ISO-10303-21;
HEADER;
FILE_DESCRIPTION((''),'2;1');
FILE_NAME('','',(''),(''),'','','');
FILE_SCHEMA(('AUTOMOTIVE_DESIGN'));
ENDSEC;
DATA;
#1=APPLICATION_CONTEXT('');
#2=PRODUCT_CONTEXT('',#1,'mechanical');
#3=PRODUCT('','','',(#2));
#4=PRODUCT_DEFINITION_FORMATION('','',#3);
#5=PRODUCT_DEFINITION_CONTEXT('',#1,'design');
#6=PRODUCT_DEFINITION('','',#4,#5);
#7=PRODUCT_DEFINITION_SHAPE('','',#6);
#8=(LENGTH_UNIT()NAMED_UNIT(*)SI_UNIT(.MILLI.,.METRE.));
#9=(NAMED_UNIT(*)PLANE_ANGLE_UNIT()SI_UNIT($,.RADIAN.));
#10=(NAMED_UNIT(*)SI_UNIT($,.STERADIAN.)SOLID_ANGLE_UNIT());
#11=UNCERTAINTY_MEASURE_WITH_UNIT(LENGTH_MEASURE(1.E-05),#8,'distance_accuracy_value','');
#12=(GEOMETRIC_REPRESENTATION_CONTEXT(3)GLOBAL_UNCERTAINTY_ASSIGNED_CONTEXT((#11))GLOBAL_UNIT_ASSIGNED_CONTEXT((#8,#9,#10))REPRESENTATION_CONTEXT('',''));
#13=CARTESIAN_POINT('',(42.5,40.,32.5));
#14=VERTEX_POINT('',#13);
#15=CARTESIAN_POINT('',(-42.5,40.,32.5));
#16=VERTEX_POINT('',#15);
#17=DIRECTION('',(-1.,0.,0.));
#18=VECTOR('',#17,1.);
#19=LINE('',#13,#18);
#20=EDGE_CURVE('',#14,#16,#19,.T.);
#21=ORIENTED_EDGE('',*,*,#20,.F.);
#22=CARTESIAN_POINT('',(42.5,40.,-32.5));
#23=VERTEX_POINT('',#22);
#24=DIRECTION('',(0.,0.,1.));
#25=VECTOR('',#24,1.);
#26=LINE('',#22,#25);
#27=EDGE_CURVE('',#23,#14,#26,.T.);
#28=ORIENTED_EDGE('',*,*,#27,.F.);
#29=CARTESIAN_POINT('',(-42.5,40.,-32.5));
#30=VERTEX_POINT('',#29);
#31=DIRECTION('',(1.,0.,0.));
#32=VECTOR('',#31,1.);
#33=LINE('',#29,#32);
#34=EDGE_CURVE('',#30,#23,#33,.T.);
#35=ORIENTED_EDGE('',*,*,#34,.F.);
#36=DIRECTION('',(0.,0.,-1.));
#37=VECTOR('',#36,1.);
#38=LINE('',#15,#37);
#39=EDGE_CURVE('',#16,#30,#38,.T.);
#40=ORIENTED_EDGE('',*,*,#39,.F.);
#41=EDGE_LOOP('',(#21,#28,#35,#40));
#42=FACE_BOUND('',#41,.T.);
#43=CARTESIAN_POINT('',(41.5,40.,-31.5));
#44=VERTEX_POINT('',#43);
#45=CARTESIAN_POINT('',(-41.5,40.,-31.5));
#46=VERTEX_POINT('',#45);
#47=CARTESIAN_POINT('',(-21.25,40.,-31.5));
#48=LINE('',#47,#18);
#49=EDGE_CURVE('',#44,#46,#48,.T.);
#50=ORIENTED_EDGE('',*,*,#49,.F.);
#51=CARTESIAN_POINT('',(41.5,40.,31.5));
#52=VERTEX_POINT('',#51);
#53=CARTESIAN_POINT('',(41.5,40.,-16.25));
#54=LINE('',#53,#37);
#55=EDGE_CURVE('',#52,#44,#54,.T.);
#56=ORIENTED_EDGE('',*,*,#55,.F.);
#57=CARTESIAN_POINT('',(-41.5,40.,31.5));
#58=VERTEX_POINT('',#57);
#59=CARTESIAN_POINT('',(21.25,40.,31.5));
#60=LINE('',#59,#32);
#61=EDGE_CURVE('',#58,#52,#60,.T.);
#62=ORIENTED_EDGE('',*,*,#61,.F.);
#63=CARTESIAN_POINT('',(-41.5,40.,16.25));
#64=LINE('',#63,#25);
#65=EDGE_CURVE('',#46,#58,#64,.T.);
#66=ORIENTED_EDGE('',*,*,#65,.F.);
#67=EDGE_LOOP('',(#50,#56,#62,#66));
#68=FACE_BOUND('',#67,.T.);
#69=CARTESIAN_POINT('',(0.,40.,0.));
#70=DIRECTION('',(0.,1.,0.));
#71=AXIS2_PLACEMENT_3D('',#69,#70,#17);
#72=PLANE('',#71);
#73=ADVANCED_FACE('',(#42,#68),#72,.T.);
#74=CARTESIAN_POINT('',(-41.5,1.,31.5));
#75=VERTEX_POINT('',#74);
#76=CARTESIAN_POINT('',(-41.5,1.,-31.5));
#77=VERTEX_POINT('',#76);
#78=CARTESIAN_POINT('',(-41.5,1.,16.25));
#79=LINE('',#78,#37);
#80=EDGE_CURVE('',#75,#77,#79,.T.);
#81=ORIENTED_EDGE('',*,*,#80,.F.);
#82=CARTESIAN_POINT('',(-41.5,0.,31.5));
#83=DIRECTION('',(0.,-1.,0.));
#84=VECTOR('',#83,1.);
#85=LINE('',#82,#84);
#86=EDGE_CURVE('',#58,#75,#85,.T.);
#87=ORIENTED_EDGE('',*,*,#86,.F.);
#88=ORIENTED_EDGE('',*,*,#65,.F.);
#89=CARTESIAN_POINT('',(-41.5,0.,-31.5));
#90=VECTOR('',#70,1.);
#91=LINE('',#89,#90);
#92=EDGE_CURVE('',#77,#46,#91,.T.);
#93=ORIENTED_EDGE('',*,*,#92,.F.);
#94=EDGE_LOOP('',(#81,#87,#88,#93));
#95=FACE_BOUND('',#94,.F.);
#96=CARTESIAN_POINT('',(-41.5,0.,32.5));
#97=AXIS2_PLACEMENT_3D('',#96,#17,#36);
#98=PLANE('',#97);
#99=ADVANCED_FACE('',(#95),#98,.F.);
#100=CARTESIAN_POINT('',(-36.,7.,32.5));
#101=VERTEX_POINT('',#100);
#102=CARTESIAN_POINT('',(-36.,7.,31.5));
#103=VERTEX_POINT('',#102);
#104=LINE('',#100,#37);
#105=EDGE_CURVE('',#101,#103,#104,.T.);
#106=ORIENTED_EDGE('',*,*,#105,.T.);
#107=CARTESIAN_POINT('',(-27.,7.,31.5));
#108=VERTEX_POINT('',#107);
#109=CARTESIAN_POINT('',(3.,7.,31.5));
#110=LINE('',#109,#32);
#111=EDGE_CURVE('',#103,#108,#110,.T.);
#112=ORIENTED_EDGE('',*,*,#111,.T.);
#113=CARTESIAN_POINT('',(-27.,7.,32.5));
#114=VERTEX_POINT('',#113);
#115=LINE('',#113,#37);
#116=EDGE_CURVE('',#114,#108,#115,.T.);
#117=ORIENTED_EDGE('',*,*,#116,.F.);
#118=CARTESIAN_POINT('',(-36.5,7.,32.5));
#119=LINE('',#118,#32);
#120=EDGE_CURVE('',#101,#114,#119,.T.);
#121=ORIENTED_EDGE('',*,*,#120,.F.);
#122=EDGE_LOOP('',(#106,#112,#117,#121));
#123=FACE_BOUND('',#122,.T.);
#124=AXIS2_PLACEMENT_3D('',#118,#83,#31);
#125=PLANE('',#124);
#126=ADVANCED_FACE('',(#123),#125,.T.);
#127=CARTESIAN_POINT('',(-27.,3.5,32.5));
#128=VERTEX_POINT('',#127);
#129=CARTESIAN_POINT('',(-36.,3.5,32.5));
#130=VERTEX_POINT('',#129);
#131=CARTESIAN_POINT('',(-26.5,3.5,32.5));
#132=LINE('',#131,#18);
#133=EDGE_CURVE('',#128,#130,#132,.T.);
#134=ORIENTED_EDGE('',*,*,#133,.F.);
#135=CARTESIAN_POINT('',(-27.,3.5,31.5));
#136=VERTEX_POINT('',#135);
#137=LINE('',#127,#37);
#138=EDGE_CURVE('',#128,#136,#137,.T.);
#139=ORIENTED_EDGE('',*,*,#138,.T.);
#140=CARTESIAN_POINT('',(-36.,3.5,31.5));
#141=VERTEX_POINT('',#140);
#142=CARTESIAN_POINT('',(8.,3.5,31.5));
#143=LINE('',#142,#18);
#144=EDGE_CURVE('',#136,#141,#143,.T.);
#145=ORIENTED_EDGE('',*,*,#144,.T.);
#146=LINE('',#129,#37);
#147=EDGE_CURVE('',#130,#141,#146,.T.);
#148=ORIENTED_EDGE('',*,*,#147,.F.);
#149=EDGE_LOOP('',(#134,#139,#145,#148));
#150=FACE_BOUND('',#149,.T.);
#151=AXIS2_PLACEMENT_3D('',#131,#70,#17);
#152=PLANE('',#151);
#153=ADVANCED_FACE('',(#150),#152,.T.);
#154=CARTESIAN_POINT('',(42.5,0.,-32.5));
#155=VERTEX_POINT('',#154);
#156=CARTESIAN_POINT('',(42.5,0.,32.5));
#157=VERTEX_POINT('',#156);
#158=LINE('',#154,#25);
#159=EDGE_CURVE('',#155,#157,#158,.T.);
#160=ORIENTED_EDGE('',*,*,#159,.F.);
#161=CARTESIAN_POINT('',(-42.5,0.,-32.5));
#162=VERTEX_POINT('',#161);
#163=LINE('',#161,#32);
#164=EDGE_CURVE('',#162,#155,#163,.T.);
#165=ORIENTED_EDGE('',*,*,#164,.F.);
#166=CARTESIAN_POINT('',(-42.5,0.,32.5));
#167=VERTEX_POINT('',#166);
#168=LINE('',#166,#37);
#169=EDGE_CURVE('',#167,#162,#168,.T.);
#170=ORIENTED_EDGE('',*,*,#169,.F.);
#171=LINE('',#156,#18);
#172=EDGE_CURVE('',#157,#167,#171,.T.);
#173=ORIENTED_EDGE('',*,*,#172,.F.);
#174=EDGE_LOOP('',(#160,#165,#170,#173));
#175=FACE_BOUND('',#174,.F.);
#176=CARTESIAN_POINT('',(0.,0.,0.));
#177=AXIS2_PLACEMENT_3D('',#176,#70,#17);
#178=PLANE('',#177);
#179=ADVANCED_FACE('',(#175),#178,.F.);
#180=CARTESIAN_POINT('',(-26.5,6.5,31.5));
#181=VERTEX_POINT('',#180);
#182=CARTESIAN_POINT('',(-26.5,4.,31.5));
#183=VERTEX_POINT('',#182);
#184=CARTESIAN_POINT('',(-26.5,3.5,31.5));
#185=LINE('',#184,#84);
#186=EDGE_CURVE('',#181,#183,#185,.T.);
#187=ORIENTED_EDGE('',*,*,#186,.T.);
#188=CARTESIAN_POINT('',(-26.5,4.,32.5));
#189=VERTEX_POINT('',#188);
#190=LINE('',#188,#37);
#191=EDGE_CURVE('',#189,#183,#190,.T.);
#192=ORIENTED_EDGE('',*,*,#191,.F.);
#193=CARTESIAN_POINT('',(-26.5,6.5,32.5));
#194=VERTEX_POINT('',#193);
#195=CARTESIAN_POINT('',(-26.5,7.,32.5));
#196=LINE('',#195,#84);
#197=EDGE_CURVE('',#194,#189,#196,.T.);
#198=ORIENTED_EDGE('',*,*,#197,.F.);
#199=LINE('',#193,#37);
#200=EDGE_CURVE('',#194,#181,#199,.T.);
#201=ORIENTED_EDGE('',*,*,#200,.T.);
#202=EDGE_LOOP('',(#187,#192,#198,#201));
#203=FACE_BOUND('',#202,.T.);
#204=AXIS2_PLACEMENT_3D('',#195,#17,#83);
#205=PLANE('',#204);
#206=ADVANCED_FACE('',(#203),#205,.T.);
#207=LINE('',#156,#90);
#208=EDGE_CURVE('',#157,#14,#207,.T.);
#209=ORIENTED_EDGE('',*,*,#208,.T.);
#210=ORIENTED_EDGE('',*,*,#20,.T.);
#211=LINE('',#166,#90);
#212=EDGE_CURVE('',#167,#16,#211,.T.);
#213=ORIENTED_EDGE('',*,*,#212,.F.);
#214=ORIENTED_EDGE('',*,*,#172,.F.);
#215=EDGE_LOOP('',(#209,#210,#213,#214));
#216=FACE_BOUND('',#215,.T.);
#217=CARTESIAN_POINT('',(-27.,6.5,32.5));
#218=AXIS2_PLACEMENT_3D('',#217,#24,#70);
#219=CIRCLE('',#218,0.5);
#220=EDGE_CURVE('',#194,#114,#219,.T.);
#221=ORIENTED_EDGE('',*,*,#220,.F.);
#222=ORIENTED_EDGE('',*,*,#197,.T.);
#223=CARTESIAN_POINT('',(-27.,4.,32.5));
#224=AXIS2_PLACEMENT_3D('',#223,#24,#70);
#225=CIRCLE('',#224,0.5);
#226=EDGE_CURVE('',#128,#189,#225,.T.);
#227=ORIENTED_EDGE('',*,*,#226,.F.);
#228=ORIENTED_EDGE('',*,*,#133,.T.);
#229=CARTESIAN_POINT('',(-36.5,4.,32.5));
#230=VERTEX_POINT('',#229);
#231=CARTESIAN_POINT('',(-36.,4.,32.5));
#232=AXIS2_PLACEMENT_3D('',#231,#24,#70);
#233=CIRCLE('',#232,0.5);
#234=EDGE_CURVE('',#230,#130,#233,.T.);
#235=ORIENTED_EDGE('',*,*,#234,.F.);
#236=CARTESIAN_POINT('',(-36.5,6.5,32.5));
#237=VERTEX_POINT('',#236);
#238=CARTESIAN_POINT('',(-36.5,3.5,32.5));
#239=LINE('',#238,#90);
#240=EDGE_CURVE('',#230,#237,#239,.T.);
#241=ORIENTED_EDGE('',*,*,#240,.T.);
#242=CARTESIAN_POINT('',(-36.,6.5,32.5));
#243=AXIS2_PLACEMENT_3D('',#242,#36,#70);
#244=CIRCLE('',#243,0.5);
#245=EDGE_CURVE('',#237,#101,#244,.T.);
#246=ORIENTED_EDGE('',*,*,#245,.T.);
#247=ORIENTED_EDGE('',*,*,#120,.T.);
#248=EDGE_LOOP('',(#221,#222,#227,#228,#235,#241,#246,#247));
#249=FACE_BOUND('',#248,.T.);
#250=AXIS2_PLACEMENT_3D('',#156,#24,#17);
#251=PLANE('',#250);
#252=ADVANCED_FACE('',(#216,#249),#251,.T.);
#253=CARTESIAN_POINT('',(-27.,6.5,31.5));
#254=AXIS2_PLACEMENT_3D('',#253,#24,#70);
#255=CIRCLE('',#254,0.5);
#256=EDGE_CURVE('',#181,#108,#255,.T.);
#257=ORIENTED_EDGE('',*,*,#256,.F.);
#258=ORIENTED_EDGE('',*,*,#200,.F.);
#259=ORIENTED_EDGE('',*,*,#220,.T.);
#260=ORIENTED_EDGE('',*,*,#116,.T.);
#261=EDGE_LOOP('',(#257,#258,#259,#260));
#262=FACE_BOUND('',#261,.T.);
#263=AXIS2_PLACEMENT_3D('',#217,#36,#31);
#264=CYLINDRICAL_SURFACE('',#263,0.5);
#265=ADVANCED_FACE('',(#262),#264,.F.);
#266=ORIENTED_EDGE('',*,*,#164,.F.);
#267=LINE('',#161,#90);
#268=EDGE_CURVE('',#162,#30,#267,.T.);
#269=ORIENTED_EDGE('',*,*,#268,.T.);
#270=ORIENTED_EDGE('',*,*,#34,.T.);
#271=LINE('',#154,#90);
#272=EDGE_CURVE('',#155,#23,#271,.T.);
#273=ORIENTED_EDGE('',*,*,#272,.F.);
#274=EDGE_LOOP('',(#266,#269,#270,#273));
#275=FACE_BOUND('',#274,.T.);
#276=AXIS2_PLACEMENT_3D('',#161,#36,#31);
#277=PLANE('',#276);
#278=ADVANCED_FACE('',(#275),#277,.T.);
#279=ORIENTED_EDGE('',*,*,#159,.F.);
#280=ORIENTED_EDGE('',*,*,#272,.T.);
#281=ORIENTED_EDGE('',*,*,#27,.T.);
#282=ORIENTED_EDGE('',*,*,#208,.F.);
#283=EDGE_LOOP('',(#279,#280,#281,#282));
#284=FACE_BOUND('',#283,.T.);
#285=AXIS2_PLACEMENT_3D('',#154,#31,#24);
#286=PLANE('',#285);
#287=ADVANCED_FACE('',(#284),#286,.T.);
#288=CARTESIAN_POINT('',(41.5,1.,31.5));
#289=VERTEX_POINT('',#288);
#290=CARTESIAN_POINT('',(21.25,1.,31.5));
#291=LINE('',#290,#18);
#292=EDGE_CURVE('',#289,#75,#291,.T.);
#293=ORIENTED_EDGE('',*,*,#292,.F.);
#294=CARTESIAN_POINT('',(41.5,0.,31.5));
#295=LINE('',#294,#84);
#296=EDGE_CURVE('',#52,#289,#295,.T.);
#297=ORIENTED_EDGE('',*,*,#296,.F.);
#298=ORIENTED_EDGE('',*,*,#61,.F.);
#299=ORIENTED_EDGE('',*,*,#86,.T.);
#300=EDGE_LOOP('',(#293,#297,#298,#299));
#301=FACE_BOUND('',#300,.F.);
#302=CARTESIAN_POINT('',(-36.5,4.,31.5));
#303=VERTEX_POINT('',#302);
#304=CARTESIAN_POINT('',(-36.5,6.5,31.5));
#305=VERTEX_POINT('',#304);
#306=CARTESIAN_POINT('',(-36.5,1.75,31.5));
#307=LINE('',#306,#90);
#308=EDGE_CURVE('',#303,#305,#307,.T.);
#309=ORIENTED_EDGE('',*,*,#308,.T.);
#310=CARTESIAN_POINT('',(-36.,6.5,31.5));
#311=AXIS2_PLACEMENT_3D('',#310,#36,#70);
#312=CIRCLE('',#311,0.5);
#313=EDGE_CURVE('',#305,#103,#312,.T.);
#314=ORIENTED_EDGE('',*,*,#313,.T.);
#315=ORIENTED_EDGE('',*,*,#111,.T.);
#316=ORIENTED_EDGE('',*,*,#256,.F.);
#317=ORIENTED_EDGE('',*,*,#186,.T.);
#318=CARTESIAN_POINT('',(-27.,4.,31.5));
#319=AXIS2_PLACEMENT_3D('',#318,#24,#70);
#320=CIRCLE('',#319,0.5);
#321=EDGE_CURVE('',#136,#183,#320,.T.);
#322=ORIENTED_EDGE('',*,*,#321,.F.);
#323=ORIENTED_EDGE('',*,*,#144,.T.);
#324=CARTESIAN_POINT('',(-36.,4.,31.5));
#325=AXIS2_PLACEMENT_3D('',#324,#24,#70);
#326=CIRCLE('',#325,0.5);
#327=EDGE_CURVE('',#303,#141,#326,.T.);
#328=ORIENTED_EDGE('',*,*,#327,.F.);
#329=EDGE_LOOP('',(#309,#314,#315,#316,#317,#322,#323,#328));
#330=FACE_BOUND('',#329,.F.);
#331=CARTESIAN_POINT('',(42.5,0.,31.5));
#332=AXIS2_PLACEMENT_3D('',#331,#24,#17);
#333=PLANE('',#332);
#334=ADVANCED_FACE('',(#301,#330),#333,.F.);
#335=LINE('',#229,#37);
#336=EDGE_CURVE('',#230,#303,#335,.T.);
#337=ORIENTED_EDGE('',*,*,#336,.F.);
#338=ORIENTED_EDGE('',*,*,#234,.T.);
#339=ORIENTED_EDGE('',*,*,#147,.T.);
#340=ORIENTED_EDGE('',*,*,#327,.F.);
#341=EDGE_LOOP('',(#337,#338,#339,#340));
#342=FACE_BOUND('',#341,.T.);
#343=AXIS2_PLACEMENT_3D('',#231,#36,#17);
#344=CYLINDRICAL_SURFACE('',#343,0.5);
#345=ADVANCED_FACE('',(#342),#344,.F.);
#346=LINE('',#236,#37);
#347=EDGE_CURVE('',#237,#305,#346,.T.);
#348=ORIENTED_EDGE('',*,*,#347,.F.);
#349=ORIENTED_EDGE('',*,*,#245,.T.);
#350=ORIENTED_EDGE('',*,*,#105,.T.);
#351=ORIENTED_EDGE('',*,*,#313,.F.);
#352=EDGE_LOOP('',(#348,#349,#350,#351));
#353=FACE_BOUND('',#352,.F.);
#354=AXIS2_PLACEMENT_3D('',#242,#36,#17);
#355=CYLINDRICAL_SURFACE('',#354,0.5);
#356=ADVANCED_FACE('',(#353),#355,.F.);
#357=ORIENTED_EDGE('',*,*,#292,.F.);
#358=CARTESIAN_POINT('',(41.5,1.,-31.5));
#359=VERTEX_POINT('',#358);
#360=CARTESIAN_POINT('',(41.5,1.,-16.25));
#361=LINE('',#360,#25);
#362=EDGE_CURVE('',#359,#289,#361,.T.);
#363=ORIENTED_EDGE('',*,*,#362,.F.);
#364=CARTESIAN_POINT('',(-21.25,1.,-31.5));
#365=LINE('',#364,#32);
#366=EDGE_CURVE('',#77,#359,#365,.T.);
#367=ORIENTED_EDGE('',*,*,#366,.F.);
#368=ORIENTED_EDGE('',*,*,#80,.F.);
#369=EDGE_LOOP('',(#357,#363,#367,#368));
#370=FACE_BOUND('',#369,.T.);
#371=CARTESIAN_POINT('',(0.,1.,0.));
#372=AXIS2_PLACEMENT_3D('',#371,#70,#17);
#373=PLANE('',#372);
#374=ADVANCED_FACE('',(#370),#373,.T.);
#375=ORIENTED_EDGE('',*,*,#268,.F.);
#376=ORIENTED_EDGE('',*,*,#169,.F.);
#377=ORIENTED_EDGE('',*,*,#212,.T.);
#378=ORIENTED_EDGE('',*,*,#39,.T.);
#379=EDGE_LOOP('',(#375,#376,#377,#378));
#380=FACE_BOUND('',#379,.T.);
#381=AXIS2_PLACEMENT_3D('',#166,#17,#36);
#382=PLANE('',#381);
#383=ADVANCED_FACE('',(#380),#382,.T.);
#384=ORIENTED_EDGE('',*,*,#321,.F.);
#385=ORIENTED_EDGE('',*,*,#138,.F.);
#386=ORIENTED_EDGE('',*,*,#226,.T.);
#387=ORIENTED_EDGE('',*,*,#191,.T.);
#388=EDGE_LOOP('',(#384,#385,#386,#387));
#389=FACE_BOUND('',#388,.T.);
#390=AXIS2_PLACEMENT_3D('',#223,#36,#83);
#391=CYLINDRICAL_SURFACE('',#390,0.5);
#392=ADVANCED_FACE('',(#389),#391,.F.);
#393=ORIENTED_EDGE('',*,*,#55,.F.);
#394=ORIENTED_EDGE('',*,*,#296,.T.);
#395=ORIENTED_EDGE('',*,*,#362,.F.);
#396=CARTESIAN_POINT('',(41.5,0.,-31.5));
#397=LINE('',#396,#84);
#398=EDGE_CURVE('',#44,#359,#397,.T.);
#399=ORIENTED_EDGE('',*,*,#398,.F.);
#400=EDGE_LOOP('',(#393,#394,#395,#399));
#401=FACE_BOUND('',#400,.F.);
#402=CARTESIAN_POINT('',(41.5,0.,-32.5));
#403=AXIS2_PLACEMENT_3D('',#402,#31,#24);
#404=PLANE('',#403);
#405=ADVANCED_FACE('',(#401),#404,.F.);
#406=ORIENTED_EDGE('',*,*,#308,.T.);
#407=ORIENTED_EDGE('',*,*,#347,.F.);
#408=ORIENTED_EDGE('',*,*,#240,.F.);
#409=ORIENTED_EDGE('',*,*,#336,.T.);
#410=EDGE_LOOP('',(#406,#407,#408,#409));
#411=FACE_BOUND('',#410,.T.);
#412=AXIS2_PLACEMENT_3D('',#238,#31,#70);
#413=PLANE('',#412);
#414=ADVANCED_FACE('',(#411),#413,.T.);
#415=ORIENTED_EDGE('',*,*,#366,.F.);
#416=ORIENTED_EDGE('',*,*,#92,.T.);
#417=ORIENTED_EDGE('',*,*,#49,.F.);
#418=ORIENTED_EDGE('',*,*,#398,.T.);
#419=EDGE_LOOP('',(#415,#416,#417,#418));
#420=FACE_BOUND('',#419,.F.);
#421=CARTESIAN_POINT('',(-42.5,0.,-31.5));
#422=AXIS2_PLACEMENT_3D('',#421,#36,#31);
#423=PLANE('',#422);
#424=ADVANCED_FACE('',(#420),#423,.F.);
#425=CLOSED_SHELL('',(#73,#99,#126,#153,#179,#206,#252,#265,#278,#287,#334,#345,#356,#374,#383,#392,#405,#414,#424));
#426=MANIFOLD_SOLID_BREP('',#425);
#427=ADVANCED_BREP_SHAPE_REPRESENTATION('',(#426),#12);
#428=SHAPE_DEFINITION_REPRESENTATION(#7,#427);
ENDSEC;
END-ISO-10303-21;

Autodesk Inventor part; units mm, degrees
ref_plane "YZ Plane" through (0, 0, 0) normal (1, 0, 0) x (0, 1, 0)
ref_plane "XZ Plane" through (0, 0, 0) normal (0, 1, 0) x (-1, 0, 0)
ref_plane "XY Plane" through (0, 0, 0) normal (0, 0, 1) x (1, 0, 0)
sketch "Sketch1" plane through (0, 0, 0) normal (0, 1, 0) x (-1, 0, 0)
  line L0 (42.5, -32.5) -> (-42.5, -32.5)
  line L1 (-42.5, -32.5) -> (-42.5, 32.5)
  line L2 (-42.5, 32.5) -> (42.5, 32.5)
  line L3 (42.5, 32.5) -> (42.5, -32.5)
  point P0 (0, 0)
  point P1 (42.5, 0)
  point P2 (0, -32.5)
  dimension "d0" = 85
  dimension "d1" = 65
extrude "Extrusion1" add sketch "Sketch1" along normal blind 40
sketch "Sketch2" plane through (0, 40, 0) normal (0, 1, 0) x (1, 0, 0)
  point P0 (0, 0)
shell "Shell1" thickness 1 removed faces 1 at (14.1667, 40, 10.8333)
sketch "Sketch4" plane through (-42.5, 0, 32.5) normal (0, 0, 1) x (1, 0, 0)
  line L0 (6, 7) -> (16, 7)
  line L1 (16, 7) -> (16, 3.5)
  line L2 (16, 3.5) -> (6, 3.5)
  line L3 (6, 3.5) -> (6, 7)
  line L4 (0, 0) -> (0, 40) projected
  line L5 (0, 0) -> (85, 0) projected
  point P0 (42.5, 0)
  dimension "d7" = 10
  dimension "d8" = 3.5
  dimension "d9" = 6
  dimension "d10" = 3.5
extrude "Extrusion3" cut sketch "Sketch4" against normal blind 3
sketch "Sketch5" plane through (-42.5, 0, 32.5) normal (0, 0, 1) x (1, 0, 0)
  point P0 (42.5, 0)
fillet "Fillet1" radius 0.5 4 edges at (-26.5, 7, 32) (-36.5, 7, 32) (-26.5, 3.5, 32) (-36.5, 3.5, 32)
properties part number "timer and thermometer"
